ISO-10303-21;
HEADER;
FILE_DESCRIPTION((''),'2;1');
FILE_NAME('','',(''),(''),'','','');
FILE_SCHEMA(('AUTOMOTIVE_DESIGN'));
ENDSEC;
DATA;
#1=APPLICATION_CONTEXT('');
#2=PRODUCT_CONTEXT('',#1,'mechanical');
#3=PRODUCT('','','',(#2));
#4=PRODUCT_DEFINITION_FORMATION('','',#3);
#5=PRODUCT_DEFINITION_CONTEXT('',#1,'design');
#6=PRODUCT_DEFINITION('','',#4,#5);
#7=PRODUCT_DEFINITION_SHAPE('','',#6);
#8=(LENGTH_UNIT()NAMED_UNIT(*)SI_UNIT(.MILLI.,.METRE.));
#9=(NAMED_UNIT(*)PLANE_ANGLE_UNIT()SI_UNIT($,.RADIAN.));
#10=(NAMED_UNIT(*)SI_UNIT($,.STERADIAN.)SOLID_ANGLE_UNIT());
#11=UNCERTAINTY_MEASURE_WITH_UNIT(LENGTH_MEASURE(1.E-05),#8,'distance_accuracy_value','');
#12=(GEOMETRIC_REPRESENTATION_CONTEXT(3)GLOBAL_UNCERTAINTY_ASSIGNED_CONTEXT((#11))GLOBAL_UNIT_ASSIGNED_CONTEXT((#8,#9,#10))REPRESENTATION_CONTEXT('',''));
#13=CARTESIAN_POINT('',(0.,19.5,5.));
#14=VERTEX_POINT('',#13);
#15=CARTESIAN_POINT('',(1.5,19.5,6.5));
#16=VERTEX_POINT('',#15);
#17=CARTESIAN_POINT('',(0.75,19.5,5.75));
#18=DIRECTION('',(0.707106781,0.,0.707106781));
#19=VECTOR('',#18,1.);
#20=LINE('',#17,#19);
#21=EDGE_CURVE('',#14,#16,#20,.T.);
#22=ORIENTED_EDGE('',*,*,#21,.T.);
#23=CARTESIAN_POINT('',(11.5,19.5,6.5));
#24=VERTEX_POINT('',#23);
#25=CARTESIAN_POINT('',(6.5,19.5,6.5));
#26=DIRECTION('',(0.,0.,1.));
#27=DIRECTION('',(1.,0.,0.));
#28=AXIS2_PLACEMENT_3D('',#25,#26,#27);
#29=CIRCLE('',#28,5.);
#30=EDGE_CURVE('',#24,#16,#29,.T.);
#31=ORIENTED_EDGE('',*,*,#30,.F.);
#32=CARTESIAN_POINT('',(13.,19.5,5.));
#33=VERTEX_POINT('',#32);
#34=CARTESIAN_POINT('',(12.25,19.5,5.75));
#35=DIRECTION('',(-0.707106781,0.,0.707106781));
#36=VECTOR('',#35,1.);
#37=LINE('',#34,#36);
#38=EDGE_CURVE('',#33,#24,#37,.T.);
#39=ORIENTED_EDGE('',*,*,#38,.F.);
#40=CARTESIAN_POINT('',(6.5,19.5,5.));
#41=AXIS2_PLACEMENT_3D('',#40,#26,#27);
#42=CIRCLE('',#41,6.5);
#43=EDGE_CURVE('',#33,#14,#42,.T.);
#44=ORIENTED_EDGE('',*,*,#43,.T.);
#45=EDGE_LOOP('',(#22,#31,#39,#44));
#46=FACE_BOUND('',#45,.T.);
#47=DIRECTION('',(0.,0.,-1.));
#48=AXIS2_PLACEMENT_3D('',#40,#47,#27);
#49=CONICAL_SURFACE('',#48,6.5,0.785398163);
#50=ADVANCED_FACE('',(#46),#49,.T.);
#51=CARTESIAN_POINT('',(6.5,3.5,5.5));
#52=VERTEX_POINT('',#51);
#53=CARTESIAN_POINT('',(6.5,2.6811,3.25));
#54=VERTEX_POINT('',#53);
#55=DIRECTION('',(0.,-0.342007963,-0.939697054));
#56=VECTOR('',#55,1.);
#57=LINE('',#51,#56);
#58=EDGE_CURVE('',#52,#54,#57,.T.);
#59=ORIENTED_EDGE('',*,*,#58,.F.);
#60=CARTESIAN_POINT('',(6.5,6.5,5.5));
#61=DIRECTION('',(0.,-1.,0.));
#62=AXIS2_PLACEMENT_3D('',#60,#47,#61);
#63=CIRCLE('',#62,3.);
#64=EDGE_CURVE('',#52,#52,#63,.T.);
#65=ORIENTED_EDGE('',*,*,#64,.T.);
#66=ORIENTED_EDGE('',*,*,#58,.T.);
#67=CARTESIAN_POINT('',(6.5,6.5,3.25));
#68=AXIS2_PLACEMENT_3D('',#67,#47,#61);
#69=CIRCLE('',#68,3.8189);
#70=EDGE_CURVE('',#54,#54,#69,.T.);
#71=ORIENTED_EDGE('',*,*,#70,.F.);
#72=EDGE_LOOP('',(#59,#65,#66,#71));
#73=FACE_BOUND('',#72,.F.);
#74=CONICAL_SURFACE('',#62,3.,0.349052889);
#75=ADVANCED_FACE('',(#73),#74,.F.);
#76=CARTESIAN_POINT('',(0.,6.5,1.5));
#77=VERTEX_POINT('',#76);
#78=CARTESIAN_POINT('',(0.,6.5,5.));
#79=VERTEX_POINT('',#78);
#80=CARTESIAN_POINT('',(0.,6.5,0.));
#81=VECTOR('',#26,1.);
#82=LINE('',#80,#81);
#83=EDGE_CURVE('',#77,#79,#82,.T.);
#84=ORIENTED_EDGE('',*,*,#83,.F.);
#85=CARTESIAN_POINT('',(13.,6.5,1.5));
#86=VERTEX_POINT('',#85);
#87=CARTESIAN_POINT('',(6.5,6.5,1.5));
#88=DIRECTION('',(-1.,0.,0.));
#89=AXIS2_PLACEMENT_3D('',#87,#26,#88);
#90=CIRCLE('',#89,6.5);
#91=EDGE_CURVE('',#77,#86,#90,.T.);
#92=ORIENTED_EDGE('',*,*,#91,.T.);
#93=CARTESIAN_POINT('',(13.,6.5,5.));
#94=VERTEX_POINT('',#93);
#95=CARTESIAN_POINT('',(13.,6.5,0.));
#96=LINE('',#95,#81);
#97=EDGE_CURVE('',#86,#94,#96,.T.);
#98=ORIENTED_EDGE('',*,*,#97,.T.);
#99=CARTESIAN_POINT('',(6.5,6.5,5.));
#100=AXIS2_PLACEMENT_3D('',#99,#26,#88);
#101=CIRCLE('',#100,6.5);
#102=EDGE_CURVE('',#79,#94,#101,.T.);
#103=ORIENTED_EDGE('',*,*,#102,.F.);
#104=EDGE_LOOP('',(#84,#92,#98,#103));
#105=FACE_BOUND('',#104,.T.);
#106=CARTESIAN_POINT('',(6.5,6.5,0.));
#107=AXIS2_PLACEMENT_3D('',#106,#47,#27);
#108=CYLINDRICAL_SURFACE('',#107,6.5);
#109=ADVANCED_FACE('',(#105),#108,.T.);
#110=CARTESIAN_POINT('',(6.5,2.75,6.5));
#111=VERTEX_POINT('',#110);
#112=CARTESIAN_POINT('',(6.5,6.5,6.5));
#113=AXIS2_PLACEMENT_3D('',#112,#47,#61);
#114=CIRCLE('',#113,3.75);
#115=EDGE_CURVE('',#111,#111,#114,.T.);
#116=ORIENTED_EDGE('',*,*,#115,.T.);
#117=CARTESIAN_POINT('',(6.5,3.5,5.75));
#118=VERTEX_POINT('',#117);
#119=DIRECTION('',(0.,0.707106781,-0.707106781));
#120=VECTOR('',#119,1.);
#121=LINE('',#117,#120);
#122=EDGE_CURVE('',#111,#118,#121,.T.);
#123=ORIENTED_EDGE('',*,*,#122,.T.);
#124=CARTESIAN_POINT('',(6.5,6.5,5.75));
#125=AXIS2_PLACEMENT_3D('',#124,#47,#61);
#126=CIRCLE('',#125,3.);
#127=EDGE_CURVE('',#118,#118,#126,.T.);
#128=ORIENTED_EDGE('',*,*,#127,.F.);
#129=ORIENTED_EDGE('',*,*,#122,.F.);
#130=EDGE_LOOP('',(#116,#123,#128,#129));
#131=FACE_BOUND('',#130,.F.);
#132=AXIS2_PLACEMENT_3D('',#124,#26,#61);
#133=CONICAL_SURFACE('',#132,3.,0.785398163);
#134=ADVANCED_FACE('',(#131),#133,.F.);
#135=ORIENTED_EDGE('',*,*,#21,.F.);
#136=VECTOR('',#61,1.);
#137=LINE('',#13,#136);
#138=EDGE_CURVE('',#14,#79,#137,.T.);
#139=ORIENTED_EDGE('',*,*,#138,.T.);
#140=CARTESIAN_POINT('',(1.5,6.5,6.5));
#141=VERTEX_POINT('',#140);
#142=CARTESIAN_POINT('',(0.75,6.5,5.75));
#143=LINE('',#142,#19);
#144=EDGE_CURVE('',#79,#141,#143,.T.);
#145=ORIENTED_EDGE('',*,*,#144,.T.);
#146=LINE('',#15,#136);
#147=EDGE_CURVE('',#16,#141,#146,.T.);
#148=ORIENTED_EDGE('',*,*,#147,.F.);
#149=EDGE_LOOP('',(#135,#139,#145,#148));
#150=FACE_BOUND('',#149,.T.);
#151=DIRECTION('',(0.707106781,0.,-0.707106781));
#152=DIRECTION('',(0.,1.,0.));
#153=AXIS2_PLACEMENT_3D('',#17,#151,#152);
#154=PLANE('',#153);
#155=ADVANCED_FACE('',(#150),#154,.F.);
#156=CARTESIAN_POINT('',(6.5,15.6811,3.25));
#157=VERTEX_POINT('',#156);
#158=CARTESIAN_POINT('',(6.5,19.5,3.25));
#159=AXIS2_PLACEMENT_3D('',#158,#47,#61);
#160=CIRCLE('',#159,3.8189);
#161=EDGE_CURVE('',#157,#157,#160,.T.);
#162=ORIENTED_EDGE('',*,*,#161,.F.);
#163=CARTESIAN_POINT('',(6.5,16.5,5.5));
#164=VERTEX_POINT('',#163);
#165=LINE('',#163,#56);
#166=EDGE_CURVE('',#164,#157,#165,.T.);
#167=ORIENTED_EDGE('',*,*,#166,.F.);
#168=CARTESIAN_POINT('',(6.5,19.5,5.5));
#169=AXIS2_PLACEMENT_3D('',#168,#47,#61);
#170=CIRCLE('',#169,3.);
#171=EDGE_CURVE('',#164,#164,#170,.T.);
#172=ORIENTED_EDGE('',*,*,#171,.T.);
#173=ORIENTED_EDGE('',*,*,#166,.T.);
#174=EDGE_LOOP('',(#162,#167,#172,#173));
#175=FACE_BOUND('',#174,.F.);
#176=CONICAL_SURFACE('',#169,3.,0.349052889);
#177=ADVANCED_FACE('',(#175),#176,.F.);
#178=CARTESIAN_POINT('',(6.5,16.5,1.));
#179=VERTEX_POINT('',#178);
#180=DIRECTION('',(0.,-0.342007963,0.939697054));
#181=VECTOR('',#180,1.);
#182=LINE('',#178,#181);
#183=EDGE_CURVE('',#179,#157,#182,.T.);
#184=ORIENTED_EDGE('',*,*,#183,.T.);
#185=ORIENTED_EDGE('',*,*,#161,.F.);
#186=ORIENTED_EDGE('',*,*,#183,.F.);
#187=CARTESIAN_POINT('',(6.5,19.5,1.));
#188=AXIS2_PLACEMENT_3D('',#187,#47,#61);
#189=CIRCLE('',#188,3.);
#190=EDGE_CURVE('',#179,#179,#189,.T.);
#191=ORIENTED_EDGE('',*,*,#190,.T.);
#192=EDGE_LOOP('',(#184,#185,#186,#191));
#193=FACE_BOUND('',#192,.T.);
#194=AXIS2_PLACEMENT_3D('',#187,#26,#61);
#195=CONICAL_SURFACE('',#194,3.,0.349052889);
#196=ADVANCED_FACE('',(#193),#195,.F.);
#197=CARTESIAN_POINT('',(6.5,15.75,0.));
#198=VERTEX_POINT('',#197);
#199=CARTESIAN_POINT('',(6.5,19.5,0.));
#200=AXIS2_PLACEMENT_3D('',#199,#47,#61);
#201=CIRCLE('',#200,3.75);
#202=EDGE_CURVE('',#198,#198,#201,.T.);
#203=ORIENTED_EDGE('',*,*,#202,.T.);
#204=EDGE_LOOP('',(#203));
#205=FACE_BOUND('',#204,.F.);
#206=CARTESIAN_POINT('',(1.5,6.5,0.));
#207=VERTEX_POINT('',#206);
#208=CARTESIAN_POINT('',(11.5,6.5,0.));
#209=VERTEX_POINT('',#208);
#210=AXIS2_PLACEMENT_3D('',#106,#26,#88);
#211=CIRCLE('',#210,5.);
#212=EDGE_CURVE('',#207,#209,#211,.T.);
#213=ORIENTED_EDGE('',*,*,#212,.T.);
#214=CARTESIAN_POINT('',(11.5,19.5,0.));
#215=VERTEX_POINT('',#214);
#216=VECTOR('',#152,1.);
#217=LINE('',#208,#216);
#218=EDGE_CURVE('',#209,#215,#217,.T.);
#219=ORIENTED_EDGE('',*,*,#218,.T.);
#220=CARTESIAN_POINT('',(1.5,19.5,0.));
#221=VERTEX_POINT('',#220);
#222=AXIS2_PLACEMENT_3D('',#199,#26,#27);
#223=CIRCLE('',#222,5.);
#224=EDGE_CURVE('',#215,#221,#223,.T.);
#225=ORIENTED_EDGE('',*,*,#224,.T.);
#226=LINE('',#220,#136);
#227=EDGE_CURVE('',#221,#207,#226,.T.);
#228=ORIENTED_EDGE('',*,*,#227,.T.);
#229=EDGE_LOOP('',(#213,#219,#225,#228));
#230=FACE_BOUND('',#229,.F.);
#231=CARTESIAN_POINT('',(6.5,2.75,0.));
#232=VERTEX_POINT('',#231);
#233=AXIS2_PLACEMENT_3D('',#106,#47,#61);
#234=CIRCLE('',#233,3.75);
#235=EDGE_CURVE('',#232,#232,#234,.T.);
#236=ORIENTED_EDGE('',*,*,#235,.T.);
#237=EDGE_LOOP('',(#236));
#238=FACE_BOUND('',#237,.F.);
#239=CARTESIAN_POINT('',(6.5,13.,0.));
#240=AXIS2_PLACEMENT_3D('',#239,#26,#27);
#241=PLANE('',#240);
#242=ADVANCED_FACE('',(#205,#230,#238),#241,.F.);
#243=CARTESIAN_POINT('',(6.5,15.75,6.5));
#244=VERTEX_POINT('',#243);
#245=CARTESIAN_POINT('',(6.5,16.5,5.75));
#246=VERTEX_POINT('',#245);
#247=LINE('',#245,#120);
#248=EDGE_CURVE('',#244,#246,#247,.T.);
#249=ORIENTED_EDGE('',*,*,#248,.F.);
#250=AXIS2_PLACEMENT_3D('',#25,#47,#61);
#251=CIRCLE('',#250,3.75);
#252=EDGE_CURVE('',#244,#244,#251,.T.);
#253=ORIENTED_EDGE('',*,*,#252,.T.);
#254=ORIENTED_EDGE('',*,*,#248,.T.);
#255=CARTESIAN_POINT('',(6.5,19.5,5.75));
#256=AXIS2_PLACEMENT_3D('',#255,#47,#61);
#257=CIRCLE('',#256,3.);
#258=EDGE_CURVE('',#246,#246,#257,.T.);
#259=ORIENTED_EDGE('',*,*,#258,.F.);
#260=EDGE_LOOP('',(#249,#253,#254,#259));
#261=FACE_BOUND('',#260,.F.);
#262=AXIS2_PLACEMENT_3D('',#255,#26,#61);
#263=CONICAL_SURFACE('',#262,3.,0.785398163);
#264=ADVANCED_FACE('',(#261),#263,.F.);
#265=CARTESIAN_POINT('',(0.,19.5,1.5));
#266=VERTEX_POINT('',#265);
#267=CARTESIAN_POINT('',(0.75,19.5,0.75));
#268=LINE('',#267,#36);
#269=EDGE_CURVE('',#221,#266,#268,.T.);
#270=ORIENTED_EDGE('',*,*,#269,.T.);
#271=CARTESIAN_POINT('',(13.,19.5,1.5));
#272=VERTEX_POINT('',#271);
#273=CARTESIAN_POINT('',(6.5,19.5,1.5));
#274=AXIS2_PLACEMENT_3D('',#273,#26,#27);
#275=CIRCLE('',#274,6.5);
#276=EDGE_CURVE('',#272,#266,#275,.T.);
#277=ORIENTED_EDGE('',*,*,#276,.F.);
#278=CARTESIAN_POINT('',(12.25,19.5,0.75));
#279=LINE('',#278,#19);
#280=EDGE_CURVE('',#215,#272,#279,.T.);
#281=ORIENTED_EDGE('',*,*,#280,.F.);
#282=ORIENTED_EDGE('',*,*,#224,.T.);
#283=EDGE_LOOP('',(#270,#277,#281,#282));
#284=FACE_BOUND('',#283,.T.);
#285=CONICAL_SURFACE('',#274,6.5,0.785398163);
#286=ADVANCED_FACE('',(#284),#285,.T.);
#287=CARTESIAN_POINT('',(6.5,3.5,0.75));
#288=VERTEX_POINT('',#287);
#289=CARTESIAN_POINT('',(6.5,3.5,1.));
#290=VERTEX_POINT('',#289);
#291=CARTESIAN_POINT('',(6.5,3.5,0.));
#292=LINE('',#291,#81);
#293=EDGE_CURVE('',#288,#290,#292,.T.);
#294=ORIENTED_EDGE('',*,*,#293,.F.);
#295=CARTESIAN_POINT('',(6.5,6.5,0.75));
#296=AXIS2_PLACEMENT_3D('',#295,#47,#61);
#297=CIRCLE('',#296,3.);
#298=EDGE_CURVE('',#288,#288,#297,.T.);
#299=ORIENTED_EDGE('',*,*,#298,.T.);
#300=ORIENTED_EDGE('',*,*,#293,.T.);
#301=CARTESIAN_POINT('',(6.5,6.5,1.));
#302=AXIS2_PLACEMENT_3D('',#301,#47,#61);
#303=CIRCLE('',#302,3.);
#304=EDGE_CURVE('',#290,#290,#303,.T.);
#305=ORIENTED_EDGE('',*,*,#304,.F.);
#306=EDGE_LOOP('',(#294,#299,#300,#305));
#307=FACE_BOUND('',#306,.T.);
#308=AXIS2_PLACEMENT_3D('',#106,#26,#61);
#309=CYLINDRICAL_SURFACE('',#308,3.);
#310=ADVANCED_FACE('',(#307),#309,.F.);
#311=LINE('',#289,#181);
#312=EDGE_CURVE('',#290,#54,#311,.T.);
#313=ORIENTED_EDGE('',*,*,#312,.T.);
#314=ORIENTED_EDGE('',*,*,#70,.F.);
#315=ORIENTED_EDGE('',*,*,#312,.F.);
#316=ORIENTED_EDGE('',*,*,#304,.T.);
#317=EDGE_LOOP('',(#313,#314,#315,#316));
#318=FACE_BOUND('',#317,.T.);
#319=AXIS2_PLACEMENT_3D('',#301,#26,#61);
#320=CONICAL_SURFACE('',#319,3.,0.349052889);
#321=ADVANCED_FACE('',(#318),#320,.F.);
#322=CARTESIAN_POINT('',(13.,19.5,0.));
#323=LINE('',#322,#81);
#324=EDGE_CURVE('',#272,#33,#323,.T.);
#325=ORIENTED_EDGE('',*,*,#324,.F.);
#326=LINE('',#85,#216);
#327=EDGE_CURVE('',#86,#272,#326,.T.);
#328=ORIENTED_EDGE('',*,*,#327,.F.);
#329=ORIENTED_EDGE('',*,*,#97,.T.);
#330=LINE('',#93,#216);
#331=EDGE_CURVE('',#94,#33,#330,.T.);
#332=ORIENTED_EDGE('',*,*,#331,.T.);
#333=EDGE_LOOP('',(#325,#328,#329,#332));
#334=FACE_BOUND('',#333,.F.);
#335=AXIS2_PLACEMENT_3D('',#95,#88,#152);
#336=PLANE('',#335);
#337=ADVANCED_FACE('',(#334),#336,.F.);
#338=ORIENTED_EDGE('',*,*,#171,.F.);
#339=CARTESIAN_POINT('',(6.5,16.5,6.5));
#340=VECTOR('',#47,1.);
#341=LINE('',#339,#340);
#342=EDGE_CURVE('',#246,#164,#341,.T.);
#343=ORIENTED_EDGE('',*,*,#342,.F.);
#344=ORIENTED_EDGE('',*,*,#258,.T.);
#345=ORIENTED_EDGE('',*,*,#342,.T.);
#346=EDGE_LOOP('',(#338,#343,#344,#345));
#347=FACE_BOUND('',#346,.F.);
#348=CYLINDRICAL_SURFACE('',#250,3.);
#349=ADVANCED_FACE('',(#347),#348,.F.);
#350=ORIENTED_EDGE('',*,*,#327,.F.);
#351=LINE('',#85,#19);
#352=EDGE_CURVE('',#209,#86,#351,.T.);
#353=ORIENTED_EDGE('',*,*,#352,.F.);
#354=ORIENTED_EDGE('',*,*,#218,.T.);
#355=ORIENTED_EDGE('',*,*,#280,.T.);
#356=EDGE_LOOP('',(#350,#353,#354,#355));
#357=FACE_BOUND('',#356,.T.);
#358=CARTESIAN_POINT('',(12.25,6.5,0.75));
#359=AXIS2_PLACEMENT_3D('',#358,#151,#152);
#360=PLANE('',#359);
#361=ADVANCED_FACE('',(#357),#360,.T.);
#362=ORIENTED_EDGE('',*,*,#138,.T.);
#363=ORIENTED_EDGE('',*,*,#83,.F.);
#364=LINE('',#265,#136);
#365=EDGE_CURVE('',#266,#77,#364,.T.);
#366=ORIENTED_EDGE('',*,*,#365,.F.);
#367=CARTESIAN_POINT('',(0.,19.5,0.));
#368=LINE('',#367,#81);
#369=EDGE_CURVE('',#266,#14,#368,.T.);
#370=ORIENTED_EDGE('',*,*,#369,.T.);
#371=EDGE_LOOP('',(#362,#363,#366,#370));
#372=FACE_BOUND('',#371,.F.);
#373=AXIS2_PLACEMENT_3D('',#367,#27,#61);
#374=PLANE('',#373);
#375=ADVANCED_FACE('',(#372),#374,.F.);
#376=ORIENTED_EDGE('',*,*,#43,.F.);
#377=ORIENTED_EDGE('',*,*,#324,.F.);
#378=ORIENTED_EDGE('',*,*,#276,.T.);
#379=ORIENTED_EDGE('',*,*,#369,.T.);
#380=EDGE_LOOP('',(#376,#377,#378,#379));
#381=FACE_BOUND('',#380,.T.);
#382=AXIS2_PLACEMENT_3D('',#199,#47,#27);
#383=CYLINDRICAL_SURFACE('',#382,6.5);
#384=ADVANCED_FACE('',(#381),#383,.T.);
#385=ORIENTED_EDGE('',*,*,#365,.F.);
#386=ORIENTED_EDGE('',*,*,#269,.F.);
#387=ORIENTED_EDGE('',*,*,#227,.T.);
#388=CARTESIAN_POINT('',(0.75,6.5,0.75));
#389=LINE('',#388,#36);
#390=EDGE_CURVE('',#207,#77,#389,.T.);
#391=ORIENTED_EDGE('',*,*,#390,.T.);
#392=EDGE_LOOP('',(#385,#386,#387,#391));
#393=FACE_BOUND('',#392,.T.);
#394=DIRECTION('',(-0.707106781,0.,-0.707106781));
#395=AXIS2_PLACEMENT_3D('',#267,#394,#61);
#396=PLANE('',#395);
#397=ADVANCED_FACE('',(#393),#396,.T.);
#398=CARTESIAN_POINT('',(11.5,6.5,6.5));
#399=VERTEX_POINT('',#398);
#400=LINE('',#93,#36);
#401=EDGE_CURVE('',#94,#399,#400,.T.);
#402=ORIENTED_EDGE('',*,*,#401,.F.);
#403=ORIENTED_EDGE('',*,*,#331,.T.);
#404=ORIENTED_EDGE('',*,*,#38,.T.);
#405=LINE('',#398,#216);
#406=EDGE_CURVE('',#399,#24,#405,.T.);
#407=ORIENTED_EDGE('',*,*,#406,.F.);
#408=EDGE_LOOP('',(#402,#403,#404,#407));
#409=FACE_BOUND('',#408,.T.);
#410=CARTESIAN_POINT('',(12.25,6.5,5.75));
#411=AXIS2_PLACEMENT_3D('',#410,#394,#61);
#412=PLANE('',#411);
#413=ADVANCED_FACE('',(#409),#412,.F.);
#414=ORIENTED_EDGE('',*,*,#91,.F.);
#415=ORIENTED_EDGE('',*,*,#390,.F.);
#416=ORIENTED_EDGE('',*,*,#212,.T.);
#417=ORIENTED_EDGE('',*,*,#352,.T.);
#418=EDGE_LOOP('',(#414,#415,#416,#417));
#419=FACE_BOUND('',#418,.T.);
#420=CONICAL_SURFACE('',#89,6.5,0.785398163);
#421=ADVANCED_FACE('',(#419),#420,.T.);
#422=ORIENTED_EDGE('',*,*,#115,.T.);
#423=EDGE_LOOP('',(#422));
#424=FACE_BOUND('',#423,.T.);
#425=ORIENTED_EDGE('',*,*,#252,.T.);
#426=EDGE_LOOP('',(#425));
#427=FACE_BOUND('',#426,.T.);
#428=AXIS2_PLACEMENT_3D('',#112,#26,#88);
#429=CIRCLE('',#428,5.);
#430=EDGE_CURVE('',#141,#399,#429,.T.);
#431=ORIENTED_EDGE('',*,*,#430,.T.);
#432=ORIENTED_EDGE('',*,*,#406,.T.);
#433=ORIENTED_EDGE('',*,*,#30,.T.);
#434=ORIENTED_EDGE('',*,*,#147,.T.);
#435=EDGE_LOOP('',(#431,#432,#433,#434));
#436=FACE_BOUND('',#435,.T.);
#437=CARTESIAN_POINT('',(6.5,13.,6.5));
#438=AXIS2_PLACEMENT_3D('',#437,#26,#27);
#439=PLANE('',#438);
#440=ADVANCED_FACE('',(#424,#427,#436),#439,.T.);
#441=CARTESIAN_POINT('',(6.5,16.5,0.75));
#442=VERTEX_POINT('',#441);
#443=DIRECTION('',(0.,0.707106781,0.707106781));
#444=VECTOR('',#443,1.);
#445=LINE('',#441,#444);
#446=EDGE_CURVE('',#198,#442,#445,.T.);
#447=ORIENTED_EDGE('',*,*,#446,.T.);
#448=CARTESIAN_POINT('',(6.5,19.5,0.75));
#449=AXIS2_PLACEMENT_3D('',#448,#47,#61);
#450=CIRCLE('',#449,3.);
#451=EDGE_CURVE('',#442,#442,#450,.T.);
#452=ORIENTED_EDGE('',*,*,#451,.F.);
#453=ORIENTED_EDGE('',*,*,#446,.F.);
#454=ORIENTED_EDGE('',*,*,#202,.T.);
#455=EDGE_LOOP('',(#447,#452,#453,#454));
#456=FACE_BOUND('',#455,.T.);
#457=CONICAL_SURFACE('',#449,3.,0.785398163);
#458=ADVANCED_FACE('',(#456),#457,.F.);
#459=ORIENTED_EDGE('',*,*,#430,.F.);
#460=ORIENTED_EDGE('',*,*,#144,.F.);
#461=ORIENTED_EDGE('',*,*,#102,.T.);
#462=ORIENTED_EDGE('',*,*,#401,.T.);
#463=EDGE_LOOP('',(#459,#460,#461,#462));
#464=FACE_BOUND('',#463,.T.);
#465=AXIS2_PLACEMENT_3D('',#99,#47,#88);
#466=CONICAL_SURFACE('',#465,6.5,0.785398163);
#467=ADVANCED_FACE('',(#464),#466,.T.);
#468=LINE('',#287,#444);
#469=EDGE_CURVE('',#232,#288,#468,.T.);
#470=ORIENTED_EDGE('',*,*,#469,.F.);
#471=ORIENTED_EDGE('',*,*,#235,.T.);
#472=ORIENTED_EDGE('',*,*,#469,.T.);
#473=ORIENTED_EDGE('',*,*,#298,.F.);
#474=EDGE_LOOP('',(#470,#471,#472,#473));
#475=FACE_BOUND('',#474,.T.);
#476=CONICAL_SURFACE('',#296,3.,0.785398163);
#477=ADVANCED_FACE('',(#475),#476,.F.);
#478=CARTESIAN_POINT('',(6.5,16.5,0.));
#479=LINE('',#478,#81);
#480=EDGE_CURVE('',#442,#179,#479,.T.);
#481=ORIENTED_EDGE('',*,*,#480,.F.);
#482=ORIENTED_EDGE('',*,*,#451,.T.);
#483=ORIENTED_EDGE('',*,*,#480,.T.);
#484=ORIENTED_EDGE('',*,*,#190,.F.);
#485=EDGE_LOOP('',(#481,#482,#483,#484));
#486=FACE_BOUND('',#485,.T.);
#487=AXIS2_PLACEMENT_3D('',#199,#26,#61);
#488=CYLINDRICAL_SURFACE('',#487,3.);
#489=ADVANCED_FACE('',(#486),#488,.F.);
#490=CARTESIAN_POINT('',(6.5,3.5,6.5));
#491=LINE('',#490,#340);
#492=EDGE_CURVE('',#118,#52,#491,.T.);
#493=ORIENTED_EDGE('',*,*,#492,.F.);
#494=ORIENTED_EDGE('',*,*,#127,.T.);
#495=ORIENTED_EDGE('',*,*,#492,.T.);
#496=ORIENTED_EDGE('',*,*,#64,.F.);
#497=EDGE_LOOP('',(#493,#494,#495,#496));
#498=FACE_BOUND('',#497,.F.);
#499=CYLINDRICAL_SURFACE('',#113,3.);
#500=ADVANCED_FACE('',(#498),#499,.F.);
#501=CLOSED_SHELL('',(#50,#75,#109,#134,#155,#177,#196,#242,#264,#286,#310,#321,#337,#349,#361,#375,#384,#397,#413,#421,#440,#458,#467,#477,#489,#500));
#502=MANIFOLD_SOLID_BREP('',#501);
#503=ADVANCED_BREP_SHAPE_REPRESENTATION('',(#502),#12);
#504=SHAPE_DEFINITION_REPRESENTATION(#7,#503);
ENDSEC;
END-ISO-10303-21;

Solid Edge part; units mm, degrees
sketch "Sketch1" plane through (0, 0, 0) normal (0, 0, 1) x (1, 0, 0)
  line L0 (0, 19.5) -> (0, 6.5)
  line L1 (13, 6.5) -> (13, 19.5)
  arc A0 (13, 6.5) -> (0, 6.5) centre (6.5, 6.5) cw
  arc A1 (0, 19.5) -> (13, 19.5) centre (6.5, 19.5) cw
extrude "Protrusion1" add sketch "Sketch1" along normal blind 6.5
sketch "Sketch2" plane through (6.5, 0, 0) normal (1, 0, 0) x (0, 1, 0)
  line L0 (3.5, 0) -> (3.5, 1)
  line L1 (3.5, 1) -> (2.6811, 3.25)
  line L2 (3.5, 5.5) -> (2.6811, 3.25)
  line L3 (3.5, 6.5) -> (3.5, 5.5)
  line L4 (6.5, 6.5) -> (3.5, 6.5)
  line L5 (6.5, 6.5) -> (6.5, 0)
  line L6 (3.5, 0) -> (6.5, 0)
  dimension "D1" = 3
  dimension "D2" = 1
  dimension "D3" = 2.3944
  dimension "D4" = 1.5731
  dimension "D5" = 6.5
revolve "RevolvedCutout1" cut sketch "Sketch2" angle 360 about axis through (6.5, 6.5, 6.5) along (0, 0, -1)
chamfer "Chaflán_2" distance 0.75 angle 45 2 edges at (9.5, 6.5, 6.5) (9.5, 6.5, 0)
pattern_linear "Pattern1" count 2 spacing 13 along (0, 1, 0) of "RevolvedCutout1", "Chaflán_2"
chamfer "Chaflán_37" distance 1.5 angle 45 8 edges at (0, 13, 0) (6.5, 26, 0) (13, 13, 0) (6.5, 0, 0) (0, 13, 6.5) (6.5, 26, 6.5) (13, 13, 6.5) (6.5, 0, 6.5)
